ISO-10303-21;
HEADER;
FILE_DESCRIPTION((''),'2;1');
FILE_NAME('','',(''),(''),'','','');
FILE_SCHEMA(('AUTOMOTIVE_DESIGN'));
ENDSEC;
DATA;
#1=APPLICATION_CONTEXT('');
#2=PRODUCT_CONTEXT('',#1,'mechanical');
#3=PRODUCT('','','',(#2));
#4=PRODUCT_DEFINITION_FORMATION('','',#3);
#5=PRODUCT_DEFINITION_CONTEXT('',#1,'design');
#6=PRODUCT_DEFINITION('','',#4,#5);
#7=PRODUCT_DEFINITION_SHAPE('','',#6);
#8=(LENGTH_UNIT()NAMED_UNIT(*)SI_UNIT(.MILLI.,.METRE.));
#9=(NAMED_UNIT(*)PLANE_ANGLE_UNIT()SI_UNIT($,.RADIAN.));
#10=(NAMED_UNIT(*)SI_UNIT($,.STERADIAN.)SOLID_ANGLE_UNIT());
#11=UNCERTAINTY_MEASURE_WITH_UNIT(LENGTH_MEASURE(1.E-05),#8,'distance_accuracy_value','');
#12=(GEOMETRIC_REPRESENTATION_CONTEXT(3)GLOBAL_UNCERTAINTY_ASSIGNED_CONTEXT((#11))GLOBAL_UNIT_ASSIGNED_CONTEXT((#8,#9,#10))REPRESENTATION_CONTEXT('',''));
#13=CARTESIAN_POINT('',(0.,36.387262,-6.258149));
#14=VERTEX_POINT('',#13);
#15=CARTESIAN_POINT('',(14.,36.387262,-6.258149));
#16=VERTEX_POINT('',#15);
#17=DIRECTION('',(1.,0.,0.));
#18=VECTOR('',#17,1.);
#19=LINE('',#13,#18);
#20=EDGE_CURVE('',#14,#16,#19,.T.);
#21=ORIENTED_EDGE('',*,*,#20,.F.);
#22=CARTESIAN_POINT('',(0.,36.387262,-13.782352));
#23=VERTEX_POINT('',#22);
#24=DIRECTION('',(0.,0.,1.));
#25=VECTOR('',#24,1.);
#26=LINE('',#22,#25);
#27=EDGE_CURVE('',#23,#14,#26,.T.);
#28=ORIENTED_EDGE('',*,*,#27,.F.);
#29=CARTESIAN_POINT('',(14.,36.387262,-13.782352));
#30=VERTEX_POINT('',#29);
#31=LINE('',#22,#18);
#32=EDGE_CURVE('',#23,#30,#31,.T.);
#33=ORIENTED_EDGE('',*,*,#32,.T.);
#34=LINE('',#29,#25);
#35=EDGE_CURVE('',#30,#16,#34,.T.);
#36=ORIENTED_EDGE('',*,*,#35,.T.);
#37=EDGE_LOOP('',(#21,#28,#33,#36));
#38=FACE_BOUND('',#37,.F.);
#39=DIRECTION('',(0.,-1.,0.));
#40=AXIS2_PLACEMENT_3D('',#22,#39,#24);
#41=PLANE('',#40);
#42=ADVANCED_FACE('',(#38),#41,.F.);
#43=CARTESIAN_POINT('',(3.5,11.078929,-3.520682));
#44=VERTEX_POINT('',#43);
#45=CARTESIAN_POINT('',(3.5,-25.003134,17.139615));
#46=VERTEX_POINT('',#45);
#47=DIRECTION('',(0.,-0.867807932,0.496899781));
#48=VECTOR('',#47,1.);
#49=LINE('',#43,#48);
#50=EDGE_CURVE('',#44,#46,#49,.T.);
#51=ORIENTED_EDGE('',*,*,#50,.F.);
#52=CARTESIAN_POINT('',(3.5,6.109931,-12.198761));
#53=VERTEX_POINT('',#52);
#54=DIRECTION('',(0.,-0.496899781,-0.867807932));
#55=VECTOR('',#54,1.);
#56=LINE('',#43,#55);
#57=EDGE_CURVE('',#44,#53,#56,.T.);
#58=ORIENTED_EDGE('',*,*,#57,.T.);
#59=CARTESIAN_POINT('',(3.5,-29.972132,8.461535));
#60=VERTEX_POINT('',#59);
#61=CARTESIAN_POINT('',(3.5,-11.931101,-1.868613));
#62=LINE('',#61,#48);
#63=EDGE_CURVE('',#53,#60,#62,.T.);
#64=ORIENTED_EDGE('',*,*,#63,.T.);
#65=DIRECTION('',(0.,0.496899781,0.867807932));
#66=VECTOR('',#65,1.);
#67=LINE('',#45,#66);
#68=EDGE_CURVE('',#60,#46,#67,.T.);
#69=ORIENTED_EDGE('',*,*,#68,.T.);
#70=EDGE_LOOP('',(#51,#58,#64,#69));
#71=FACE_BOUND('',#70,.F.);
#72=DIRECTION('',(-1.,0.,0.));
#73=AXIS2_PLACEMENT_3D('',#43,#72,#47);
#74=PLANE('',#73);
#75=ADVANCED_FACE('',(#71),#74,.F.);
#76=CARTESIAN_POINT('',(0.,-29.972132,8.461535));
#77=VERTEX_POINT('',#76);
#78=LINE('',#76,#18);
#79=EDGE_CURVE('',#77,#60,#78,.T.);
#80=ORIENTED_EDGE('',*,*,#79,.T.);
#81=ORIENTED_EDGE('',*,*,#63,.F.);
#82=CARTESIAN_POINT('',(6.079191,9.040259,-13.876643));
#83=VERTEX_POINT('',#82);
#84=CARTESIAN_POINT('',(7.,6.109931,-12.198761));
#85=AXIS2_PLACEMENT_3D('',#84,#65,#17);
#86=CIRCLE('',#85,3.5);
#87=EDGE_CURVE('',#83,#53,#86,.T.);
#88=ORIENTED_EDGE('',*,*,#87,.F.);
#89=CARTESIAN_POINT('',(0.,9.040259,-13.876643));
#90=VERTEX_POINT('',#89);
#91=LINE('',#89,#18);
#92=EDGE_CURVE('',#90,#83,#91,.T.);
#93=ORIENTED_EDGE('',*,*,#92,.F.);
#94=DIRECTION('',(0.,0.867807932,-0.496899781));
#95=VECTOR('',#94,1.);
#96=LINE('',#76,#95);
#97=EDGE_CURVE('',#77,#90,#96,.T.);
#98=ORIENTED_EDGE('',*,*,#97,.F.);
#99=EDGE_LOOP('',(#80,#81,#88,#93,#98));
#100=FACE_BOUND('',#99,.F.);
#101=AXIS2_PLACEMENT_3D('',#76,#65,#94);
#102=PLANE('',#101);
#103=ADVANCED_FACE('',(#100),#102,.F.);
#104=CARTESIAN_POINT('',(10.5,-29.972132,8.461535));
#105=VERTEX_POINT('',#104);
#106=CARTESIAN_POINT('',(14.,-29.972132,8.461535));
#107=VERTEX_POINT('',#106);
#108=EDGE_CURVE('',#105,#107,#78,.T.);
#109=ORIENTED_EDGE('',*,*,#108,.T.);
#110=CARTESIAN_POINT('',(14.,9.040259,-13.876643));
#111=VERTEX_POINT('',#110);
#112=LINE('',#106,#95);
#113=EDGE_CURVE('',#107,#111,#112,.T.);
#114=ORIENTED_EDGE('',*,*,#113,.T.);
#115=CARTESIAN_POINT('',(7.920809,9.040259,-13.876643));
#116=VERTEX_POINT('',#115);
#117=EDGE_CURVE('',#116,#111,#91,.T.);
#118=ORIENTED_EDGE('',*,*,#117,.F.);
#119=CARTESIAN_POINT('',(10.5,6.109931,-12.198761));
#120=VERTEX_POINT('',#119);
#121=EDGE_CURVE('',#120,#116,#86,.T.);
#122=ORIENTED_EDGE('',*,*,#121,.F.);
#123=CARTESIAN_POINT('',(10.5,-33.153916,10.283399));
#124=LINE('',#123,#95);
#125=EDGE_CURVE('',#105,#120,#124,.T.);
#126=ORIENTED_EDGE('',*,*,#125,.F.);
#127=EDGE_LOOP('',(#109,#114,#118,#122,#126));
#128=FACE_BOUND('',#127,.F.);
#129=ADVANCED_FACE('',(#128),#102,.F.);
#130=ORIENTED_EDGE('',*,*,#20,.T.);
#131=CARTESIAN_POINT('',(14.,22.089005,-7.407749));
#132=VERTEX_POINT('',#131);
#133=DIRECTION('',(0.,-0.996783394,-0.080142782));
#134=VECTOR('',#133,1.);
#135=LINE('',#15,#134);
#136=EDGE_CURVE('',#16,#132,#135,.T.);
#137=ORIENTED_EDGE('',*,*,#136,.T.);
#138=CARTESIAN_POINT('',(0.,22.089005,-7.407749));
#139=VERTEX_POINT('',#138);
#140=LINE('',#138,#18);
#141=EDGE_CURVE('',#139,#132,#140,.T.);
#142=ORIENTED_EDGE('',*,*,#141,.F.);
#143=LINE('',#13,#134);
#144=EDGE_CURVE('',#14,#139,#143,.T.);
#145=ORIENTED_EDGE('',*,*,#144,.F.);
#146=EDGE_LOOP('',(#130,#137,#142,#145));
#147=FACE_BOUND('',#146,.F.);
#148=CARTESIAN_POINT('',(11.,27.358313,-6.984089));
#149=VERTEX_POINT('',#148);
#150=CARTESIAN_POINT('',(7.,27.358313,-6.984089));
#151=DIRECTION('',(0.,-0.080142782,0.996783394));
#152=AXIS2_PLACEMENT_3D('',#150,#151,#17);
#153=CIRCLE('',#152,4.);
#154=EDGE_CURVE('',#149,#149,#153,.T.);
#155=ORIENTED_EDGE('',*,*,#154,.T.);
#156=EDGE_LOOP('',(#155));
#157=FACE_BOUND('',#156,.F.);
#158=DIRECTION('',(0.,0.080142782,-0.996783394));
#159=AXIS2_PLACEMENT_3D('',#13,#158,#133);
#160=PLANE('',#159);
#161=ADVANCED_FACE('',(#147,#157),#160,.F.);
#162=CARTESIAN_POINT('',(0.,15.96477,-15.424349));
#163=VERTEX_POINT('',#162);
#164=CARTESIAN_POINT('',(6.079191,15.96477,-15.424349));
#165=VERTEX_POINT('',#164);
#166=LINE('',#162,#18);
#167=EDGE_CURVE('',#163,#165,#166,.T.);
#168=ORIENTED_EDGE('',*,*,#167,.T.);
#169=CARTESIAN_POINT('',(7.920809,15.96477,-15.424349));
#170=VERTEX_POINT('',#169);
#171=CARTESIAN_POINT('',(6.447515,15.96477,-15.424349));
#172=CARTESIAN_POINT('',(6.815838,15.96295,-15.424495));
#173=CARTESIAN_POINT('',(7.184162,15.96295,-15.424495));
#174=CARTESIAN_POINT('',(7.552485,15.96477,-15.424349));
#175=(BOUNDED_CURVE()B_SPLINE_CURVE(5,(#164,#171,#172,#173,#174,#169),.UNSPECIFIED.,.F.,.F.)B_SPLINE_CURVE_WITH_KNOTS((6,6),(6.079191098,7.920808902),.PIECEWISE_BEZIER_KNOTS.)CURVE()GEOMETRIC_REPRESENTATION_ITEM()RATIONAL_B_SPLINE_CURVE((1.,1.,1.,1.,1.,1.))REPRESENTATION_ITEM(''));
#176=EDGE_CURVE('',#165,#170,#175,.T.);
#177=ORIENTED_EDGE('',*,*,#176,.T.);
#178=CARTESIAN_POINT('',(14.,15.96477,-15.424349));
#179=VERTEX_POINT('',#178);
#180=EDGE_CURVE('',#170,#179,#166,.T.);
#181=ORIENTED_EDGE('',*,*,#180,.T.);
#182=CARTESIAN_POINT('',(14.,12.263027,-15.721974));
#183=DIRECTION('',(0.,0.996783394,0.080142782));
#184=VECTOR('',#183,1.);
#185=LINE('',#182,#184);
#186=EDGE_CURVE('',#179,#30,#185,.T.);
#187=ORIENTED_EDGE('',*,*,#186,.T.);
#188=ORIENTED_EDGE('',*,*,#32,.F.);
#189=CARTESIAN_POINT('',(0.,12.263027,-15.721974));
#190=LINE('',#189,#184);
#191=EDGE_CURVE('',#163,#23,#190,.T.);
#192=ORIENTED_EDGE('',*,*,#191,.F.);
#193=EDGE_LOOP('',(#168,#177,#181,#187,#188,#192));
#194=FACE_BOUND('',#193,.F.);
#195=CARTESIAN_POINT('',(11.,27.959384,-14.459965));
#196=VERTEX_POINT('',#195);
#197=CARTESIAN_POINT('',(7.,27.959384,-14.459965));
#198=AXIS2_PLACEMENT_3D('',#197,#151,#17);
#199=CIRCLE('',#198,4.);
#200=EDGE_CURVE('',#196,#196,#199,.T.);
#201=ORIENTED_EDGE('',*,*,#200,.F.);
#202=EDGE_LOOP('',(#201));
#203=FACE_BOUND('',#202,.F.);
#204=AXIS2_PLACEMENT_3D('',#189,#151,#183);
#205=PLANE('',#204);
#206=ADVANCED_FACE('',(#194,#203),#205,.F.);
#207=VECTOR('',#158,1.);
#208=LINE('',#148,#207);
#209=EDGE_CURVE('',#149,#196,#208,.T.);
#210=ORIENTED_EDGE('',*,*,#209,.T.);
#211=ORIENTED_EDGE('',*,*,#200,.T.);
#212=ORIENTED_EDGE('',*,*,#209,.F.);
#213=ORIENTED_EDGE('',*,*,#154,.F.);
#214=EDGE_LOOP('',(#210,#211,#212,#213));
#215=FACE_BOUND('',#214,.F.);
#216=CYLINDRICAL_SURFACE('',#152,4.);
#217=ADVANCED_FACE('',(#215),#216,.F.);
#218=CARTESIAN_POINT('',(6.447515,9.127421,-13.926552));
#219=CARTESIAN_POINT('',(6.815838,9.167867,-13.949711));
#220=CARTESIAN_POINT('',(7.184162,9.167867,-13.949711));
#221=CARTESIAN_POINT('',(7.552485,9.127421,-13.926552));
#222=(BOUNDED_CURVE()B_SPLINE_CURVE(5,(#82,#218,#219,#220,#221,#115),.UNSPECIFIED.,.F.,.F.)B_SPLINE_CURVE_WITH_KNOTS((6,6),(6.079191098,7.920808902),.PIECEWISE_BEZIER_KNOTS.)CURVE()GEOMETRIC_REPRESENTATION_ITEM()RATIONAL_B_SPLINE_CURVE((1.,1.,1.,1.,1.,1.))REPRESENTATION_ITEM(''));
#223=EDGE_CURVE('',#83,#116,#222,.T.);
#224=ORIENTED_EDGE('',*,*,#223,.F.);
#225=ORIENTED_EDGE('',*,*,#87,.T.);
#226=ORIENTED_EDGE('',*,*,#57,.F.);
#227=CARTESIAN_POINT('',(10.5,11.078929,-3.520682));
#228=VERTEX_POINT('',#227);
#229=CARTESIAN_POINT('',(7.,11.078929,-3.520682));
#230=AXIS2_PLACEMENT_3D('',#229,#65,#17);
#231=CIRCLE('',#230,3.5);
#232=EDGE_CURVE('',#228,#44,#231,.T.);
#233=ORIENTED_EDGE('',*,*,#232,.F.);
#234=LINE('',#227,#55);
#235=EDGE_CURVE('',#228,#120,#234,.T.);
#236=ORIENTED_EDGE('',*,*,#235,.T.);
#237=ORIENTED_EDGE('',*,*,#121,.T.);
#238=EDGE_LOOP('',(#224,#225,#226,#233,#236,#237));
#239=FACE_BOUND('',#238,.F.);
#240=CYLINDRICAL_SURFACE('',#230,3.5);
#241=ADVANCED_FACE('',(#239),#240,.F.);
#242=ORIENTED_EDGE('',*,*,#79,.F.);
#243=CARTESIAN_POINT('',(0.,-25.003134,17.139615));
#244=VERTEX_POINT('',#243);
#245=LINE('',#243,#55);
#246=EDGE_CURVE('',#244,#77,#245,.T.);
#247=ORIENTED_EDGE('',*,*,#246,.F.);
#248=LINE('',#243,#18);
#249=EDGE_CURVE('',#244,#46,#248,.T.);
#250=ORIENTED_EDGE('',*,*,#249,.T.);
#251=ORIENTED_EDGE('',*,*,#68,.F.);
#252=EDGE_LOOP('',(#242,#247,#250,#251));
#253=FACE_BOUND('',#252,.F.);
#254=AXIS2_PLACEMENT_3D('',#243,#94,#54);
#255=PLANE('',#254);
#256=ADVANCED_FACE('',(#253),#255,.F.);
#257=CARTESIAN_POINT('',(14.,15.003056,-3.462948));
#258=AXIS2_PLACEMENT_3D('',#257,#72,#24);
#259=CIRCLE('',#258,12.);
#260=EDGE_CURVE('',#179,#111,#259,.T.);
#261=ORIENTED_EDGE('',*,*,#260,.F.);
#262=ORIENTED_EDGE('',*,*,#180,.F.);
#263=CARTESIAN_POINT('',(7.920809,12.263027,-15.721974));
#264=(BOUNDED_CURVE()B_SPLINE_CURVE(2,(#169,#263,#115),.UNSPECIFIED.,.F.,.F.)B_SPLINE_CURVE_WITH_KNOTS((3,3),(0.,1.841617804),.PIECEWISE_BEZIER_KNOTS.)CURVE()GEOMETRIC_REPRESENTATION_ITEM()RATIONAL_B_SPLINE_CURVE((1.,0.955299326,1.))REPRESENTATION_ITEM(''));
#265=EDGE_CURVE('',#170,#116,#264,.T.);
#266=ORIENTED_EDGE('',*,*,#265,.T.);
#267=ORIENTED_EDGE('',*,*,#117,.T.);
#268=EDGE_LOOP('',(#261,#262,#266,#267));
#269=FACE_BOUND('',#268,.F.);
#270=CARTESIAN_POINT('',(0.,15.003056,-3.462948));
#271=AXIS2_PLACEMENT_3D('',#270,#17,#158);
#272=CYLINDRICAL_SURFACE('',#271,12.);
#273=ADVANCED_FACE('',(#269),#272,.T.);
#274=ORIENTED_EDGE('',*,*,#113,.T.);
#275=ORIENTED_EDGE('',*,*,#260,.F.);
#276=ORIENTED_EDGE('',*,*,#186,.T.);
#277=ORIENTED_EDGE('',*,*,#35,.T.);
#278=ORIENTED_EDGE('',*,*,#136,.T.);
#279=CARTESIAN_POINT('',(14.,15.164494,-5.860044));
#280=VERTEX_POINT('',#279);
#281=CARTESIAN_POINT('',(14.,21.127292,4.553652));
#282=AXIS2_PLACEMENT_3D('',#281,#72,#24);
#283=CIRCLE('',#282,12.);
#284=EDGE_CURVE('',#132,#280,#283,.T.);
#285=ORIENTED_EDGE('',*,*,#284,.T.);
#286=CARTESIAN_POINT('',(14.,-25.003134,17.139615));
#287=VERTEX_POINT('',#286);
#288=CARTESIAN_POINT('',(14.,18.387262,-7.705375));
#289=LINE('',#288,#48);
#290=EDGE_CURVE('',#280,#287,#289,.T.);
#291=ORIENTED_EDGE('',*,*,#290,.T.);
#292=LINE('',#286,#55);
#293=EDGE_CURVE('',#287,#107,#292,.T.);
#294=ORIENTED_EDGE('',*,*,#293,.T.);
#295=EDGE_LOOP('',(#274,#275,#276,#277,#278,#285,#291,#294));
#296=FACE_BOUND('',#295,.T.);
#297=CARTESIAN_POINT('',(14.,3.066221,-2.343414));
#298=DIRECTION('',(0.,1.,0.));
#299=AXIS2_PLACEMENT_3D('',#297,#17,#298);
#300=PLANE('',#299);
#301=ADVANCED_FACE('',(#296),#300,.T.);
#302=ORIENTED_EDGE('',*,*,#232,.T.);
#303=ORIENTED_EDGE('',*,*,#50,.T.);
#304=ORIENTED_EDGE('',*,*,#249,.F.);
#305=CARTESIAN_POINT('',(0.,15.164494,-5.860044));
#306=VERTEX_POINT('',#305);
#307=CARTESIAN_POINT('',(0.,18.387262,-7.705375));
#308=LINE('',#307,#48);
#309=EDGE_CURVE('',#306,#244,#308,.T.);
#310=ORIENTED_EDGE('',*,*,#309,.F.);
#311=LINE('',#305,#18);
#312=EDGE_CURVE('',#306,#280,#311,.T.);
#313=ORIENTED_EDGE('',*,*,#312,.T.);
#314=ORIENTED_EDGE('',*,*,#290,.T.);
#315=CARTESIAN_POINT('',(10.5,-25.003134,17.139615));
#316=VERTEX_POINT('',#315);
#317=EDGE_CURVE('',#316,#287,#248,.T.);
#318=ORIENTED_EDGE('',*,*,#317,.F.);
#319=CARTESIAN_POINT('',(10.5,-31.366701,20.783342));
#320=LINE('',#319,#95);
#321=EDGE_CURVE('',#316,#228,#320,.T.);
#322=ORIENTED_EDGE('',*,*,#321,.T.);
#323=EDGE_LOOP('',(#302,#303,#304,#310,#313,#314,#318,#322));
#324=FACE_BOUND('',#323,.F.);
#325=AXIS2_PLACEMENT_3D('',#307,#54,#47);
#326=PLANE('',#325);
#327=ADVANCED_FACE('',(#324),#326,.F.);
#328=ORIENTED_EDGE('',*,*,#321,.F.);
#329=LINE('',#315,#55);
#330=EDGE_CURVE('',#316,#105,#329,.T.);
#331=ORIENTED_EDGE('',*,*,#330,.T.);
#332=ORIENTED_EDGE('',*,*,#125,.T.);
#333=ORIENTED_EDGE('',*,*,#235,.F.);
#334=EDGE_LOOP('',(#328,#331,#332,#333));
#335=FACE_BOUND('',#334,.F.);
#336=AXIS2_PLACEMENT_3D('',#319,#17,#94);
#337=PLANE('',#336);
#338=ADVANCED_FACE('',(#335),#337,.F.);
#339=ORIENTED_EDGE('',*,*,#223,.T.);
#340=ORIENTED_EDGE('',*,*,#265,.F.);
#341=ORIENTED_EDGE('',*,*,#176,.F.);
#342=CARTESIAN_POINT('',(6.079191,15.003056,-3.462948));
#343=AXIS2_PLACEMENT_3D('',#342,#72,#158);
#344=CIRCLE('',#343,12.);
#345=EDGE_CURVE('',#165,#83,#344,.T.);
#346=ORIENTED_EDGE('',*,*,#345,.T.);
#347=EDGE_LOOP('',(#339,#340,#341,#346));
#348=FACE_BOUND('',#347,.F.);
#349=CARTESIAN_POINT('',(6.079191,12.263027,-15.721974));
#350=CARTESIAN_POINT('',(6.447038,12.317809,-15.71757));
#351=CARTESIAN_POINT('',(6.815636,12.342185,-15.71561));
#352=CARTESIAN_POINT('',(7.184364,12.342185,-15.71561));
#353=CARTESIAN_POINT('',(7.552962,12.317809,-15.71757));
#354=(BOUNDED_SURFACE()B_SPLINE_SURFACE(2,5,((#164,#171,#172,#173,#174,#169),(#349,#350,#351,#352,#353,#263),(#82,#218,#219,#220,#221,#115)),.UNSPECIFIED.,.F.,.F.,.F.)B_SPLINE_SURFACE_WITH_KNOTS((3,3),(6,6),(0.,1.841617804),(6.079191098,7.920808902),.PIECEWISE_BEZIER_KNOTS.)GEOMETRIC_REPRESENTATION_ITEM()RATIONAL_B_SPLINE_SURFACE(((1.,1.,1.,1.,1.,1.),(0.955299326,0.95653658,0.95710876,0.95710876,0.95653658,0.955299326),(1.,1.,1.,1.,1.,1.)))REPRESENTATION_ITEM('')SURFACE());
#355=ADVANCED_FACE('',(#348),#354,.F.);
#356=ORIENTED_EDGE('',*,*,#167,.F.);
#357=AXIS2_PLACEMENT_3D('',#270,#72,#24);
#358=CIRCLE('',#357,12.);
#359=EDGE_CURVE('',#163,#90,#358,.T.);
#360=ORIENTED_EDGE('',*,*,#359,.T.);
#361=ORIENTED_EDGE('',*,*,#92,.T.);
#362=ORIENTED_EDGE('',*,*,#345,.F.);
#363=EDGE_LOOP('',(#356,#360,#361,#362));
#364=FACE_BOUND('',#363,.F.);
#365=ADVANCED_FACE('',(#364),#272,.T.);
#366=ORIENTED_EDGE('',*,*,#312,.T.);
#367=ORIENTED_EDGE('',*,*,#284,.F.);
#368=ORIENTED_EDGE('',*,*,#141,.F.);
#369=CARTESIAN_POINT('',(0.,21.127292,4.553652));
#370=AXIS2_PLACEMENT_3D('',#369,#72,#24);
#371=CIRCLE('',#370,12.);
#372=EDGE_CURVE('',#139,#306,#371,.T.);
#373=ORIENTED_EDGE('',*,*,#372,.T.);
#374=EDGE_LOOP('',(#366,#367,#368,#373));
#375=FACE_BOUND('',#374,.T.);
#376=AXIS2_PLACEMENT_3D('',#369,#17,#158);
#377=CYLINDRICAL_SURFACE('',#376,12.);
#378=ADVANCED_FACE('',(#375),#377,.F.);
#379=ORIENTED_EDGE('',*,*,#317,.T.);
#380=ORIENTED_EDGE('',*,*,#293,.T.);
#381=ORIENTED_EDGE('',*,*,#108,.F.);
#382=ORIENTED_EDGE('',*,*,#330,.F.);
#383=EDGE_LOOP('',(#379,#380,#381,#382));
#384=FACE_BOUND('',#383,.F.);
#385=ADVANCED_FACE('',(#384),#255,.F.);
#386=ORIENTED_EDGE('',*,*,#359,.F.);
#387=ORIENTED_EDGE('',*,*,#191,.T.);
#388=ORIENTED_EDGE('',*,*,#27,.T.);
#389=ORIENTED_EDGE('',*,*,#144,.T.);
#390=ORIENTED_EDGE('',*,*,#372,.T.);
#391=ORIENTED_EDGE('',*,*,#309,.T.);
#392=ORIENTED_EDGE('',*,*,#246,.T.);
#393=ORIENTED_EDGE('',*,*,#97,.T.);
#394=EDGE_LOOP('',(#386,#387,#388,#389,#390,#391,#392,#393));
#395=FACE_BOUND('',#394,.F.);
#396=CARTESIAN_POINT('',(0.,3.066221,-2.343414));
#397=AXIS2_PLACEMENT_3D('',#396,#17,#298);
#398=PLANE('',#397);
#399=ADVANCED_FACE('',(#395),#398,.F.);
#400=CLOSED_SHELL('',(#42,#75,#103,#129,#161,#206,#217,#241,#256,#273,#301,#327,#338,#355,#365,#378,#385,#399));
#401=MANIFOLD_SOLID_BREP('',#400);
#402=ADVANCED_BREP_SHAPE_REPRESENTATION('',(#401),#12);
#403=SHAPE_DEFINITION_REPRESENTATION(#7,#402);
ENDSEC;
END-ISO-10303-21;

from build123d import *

# Parameters (mm, degrees)
F0_R     = 3.1
F1_DEPTH = 14
F2_R     = 4
F3_DEPTH = 25
F5_DEPTH = 25
F6_R     = 12


with BuildPart() as f1:
    # F0 (on Right) → F1 (new body)
    with BuildSketch(Plane.YZ):
        Polygon((36.3872624823, -13.7823516789), (36.3872624823, -6.2581492842), (18.3872624823, -7.7053745112), (-25.0031341377, 17.139614544), (-29.9721319488, 8.46153522), (12.2630268532, -15.7219740336), align=None)
        with Locations((-22.3021764927, 9.8314245335)):
            Circle(F0_R, mode=Mode.SUBTRACT)
        with Locations((-22.3021764927, 9.8314245335)):
            Circle(F0_R)
    extrude(amount=F1_DEPTH)

    # F2 (on face) → F3 (cut)
    with BuildSketch(Plane(origin=(0, 0.733642711, -9.1247502824), x_dir=(1, 0, 0), z_dir=(0, -0.0801427819, 0.996783394))):
        with Locations((7, 26.7105877545)):
            Circle(F2_R)
    extrude(amount=-F3_DEPTH, mode=Mode.SUBTRACT)

    # F4 (on face) → F5 (cut)
    with BuildSketch(Plane(origin=(0, 1.2173257447, 2.1259919559), x_dir=(1, 0, 0), z_dir=(0, 0.4968997811, 0.8678079324))):
        with BuildLine():
            ThreePointArc((3.5, -37.5475101173), (7, -41.0475101173), (10.5, -37.5475101173))
            Line((10.5, -37.5475101173), (10.5, 11.3638080657))
            ThreePointArc((10.5, 11.3638080657), (7, 14.8638080657), (3.5, 11.3638080657))
            Line((3.5, 11.3638080657), (3.5, -37.5475101173))
        make_face()
    extrude(amount=-F5_DEPTH, mode=Mode.SUBTRACT)

    # F6
    f6_edges = [f1.edges().sort_by_distance(p)[0] for p in [
        (7, 18.387262, -7.705375),
        (7, 12.263027, -15.721974),
    ]]
    fillet(f6_edges, radius=F6_R)


solid = f1.part
